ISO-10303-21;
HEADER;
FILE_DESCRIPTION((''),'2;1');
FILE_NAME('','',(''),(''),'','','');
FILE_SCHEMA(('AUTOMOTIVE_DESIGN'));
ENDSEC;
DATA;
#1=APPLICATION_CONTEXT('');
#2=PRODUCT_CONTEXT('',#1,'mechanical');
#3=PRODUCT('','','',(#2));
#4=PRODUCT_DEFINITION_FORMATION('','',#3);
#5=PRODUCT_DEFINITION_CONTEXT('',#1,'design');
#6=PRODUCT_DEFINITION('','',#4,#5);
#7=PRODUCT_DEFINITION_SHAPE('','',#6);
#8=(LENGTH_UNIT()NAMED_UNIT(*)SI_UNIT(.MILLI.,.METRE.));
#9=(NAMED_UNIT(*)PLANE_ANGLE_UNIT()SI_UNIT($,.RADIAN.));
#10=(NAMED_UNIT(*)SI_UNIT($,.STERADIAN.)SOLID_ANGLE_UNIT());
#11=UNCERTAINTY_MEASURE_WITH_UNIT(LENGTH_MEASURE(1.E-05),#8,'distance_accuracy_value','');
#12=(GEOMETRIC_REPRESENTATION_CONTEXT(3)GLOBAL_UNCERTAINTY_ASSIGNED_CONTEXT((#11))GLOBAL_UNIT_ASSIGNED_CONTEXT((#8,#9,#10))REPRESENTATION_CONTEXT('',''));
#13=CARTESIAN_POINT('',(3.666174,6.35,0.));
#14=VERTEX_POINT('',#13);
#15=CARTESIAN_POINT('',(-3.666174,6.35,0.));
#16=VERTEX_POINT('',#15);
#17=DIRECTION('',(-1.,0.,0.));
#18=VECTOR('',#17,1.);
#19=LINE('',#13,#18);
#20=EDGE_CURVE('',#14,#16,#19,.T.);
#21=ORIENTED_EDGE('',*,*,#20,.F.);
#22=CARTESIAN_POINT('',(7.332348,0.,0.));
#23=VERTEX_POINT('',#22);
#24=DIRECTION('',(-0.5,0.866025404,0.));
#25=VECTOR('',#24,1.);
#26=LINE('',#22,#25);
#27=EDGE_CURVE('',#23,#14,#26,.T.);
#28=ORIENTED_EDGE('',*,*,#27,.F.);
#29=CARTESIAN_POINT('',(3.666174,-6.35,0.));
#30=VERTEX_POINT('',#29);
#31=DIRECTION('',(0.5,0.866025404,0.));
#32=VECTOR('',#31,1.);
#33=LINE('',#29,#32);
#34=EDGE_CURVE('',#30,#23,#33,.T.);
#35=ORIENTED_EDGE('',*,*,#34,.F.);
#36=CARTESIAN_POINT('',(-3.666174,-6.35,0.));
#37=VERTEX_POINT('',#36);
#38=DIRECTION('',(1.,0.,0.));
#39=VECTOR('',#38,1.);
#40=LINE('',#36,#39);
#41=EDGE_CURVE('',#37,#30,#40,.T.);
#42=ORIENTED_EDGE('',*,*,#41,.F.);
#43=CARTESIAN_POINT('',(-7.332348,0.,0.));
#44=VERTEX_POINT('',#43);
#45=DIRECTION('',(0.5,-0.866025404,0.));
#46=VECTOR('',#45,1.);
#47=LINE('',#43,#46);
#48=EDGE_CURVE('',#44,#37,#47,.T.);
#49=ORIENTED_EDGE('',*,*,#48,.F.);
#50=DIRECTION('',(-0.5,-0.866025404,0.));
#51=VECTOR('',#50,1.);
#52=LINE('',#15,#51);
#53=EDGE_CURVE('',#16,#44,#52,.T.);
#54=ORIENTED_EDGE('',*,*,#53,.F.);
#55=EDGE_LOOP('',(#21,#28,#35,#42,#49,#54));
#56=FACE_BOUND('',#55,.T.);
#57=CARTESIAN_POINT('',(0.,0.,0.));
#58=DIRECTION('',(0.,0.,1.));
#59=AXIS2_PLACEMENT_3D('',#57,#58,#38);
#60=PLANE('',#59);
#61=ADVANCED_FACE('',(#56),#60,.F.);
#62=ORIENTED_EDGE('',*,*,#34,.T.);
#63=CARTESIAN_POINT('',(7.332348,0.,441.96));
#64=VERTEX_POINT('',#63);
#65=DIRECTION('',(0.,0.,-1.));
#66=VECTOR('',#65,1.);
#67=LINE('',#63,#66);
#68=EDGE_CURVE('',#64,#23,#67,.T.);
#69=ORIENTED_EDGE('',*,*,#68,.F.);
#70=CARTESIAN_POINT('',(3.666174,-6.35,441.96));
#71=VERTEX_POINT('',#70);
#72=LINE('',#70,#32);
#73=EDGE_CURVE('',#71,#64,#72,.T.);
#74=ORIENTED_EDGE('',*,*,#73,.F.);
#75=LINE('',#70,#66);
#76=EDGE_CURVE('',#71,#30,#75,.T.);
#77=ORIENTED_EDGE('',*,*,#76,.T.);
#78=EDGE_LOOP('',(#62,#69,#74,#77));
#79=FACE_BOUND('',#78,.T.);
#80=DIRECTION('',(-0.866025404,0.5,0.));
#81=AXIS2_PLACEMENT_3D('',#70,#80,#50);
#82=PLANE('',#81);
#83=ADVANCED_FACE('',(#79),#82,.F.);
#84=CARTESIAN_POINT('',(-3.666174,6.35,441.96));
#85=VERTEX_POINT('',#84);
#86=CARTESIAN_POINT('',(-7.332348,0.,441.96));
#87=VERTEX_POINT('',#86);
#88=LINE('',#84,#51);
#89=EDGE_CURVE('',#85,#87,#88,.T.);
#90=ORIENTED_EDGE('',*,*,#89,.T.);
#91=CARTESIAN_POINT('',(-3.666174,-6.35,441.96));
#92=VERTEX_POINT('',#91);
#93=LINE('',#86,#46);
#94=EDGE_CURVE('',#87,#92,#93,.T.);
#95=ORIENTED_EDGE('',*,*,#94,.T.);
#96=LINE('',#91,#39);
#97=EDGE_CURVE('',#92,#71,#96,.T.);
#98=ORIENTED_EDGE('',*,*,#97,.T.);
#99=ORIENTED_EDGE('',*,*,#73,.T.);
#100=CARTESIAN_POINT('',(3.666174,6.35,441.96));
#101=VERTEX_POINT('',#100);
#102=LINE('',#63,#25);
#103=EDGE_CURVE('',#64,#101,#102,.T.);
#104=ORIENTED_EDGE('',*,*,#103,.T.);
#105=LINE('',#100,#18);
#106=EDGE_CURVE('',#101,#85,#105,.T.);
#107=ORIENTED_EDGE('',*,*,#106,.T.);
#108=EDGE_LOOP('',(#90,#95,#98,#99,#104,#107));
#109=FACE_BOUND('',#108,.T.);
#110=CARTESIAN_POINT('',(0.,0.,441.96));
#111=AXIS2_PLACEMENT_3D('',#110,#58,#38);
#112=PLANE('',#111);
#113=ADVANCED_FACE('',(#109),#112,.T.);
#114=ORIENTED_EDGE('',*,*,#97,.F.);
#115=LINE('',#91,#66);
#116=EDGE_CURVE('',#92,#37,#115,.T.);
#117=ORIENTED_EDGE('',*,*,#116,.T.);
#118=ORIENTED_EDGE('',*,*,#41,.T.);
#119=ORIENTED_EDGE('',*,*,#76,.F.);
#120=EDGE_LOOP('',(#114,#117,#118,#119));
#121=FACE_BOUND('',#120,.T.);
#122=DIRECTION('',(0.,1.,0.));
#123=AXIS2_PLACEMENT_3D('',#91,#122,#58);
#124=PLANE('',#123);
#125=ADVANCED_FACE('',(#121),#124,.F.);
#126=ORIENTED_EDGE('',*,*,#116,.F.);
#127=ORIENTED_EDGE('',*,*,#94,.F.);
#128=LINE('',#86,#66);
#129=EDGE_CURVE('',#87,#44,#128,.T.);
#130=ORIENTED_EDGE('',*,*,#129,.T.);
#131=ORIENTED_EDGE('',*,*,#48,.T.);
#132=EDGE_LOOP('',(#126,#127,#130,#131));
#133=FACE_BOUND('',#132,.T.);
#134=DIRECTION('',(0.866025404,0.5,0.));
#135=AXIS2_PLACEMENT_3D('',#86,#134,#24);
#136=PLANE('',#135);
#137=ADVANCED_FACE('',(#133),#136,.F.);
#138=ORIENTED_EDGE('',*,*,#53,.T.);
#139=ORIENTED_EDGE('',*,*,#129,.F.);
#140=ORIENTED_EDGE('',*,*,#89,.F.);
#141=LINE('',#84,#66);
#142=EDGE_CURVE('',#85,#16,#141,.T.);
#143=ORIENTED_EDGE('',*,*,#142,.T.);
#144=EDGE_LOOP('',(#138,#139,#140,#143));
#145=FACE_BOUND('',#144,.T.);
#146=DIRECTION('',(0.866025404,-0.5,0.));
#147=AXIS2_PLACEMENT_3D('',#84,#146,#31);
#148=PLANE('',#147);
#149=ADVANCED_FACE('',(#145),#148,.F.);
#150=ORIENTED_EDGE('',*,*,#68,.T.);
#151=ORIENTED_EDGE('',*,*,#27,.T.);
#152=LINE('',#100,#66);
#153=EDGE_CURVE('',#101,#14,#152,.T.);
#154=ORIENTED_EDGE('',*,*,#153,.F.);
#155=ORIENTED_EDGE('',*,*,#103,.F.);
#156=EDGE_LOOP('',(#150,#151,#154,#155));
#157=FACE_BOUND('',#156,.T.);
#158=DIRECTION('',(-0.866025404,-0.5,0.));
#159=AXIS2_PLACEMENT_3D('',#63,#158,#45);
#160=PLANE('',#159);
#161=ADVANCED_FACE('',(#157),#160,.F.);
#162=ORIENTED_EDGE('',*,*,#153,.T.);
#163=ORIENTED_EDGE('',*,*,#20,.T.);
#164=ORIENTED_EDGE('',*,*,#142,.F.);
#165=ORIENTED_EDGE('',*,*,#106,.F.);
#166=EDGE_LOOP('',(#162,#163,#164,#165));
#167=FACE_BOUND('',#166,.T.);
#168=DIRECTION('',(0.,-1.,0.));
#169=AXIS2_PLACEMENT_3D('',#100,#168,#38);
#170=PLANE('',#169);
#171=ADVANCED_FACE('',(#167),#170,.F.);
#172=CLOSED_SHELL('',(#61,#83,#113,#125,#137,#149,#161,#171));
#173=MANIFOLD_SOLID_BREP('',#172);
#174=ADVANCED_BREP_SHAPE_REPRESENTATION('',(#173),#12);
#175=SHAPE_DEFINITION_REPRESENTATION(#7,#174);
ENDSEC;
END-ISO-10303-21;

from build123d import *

# Parameters (mm, degrees)
BOSS_EXTRUDE1_DEPTH = 441.96


with BuildPart() as part:
    # Sketch1 → Boss-Extrude1 (new body)
    with BuildSketch(Plane.XY):
        Polygon((7.332348419, 0), (3.666174209, 6.35), (-3.666174209, 6.35), (-7.332348419, 0), (-3.666174209, -6.35), (3.666174209, -6.35), align=None)
    extrude(amount=BOSS_EXTRUDE1_DEPTH)


solid = part.part
